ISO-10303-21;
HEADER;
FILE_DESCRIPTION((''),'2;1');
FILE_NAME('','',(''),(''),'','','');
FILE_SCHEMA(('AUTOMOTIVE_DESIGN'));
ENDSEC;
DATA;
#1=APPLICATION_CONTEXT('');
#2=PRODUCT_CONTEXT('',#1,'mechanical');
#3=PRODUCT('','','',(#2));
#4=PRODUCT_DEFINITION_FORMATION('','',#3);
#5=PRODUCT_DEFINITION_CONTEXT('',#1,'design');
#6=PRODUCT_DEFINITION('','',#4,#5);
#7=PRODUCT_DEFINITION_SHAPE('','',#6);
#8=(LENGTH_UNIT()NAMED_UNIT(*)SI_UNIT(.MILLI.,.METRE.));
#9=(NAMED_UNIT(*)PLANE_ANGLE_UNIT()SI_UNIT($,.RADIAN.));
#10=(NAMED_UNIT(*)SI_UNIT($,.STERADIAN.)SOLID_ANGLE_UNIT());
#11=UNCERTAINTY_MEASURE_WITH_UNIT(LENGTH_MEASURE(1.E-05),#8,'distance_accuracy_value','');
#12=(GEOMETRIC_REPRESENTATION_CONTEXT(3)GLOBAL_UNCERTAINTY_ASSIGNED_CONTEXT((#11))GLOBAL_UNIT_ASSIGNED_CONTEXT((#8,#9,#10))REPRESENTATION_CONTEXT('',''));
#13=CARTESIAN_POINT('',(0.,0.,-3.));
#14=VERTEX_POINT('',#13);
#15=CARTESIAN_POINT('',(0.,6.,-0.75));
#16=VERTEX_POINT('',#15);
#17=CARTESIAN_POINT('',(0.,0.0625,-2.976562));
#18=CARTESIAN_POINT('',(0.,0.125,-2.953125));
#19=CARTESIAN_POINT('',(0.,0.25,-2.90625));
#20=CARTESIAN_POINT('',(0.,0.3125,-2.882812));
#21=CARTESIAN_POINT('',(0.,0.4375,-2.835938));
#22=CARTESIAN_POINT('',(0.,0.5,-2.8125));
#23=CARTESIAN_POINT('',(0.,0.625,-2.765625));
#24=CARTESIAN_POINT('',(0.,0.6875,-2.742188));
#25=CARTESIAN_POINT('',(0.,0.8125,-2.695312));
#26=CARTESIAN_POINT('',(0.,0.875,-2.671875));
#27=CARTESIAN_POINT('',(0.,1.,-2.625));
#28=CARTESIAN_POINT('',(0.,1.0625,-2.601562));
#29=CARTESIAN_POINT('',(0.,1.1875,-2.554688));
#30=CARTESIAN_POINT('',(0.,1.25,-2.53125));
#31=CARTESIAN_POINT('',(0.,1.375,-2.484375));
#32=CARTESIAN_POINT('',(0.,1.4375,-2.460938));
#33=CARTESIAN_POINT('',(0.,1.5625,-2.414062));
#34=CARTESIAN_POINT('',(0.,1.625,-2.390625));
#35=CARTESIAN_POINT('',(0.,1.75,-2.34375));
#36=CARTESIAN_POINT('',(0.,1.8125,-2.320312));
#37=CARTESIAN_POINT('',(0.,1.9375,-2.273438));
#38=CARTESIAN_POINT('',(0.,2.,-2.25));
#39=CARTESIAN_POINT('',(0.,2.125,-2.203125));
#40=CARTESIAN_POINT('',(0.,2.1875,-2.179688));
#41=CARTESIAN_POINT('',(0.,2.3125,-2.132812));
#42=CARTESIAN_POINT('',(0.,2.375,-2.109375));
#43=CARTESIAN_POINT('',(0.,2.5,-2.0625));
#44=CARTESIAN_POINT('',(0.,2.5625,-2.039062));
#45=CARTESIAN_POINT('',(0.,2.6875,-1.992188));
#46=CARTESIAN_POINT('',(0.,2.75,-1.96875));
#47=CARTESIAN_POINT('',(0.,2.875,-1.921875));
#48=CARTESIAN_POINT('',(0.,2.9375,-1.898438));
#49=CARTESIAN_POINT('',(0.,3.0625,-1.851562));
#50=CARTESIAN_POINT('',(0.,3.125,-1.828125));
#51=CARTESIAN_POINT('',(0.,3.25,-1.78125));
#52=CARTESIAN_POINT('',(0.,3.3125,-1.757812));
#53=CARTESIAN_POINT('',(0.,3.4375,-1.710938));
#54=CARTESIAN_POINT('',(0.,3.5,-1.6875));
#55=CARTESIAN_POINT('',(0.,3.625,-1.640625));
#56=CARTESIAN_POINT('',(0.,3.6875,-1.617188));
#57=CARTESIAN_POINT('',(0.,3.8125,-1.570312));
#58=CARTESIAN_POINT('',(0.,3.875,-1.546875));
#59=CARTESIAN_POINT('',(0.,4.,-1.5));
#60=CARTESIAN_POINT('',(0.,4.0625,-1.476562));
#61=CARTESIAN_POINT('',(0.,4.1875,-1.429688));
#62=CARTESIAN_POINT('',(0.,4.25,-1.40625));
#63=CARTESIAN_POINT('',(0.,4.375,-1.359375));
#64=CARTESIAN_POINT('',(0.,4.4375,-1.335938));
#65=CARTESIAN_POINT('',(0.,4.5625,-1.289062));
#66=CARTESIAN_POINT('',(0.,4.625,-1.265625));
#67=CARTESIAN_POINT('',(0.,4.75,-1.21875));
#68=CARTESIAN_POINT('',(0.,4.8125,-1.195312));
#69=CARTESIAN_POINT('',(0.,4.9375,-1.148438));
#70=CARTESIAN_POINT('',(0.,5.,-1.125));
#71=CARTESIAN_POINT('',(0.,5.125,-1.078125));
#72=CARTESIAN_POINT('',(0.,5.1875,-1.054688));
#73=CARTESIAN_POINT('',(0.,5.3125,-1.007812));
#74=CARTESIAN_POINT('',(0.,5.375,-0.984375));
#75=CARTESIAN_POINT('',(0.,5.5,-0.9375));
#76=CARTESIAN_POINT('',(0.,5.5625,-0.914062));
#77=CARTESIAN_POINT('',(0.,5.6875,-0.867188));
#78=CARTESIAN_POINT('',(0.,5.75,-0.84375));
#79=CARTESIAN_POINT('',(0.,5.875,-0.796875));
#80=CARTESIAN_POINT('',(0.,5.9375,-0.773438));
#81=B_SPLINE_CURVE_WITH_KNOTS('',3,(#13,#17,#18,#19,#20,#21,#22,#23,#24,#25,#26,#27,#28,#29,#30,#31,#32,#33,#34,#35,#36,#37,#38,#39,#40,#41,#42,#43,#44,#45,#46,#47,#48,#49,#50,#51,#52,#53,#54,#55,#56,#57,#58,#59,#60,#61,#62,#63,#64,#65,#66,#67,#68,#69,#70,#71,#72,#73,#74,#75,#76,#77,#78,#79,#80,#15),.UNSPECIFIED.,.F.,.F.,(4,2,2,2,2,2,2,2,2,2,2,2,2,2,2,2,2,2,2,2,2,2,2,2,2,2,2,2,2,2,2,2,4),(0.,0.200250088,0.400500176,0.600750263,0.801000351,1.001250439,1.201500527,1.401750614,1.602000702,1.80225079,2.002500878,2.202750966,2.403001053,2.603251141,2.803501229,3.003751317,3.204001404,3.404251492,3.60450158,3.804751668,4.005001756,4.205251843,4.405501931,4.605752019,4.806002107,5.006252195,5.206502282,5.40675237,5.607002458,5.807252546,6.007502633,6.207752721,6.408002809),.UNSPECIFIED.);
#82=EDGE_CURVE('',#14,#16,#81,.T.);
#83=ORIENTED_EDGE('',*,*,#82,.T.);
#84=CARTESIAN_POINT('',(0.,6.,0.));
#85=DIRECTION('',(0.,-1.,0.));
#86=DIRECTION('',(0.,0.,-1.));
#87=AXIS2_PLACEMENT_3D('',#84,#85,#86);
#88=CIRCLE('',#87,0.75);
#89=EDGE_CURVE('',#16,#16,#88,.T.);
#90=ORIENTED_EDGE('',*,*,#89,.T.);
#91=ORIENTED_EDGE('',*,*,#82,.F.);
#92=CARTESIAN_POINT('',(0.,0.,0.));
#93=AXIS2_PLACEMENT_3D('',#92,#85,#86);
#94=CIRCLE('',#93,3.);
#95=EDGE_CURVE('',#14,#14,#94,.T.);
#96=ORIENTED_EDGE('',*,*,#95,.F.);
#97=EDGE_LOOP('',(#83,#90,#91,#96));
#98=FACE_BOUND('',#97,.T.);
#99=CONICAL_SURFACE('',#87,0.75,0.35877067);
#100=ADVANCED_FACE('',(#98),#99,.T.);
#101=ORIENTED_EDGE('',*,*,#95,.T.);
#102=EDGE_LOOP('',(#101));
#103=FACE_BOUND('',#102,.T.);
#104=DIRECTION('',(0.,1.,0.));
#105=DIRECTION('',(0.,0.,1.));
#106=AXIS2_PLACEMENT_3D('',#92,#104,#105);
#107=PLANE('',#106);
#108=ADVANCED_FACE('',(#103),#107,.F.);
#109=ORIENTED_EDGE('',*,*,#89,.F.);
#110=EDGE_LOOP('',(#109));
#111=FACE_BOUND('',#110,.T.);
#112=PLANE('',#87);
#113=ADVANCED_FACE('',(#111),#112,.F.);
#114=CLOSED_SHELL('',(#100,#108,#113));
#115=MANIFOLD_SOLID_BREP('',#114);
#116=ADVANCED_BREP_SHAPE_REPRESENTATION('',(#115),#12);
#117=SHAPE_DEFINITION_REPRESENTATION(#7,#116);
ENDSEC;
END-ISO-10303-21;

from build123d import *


with BuildPart() as part:
    # Szkic1 → Obrót1 (revolve)
    with BuildSketch(Plane.XY, mode=Mode.PRIVATE) as obr_t1_sk:
        Polygon((0, 0), (-3, 0), (-0.75, 6), (0, 6), align=None)
    revolve(obr_t1_sk.sketch.rotate(Axis((0, 0, 0), (0, 1, 0)), 270), axis=Axis((0, 0, 0), (0, 1, 0)))


solid = part.part
